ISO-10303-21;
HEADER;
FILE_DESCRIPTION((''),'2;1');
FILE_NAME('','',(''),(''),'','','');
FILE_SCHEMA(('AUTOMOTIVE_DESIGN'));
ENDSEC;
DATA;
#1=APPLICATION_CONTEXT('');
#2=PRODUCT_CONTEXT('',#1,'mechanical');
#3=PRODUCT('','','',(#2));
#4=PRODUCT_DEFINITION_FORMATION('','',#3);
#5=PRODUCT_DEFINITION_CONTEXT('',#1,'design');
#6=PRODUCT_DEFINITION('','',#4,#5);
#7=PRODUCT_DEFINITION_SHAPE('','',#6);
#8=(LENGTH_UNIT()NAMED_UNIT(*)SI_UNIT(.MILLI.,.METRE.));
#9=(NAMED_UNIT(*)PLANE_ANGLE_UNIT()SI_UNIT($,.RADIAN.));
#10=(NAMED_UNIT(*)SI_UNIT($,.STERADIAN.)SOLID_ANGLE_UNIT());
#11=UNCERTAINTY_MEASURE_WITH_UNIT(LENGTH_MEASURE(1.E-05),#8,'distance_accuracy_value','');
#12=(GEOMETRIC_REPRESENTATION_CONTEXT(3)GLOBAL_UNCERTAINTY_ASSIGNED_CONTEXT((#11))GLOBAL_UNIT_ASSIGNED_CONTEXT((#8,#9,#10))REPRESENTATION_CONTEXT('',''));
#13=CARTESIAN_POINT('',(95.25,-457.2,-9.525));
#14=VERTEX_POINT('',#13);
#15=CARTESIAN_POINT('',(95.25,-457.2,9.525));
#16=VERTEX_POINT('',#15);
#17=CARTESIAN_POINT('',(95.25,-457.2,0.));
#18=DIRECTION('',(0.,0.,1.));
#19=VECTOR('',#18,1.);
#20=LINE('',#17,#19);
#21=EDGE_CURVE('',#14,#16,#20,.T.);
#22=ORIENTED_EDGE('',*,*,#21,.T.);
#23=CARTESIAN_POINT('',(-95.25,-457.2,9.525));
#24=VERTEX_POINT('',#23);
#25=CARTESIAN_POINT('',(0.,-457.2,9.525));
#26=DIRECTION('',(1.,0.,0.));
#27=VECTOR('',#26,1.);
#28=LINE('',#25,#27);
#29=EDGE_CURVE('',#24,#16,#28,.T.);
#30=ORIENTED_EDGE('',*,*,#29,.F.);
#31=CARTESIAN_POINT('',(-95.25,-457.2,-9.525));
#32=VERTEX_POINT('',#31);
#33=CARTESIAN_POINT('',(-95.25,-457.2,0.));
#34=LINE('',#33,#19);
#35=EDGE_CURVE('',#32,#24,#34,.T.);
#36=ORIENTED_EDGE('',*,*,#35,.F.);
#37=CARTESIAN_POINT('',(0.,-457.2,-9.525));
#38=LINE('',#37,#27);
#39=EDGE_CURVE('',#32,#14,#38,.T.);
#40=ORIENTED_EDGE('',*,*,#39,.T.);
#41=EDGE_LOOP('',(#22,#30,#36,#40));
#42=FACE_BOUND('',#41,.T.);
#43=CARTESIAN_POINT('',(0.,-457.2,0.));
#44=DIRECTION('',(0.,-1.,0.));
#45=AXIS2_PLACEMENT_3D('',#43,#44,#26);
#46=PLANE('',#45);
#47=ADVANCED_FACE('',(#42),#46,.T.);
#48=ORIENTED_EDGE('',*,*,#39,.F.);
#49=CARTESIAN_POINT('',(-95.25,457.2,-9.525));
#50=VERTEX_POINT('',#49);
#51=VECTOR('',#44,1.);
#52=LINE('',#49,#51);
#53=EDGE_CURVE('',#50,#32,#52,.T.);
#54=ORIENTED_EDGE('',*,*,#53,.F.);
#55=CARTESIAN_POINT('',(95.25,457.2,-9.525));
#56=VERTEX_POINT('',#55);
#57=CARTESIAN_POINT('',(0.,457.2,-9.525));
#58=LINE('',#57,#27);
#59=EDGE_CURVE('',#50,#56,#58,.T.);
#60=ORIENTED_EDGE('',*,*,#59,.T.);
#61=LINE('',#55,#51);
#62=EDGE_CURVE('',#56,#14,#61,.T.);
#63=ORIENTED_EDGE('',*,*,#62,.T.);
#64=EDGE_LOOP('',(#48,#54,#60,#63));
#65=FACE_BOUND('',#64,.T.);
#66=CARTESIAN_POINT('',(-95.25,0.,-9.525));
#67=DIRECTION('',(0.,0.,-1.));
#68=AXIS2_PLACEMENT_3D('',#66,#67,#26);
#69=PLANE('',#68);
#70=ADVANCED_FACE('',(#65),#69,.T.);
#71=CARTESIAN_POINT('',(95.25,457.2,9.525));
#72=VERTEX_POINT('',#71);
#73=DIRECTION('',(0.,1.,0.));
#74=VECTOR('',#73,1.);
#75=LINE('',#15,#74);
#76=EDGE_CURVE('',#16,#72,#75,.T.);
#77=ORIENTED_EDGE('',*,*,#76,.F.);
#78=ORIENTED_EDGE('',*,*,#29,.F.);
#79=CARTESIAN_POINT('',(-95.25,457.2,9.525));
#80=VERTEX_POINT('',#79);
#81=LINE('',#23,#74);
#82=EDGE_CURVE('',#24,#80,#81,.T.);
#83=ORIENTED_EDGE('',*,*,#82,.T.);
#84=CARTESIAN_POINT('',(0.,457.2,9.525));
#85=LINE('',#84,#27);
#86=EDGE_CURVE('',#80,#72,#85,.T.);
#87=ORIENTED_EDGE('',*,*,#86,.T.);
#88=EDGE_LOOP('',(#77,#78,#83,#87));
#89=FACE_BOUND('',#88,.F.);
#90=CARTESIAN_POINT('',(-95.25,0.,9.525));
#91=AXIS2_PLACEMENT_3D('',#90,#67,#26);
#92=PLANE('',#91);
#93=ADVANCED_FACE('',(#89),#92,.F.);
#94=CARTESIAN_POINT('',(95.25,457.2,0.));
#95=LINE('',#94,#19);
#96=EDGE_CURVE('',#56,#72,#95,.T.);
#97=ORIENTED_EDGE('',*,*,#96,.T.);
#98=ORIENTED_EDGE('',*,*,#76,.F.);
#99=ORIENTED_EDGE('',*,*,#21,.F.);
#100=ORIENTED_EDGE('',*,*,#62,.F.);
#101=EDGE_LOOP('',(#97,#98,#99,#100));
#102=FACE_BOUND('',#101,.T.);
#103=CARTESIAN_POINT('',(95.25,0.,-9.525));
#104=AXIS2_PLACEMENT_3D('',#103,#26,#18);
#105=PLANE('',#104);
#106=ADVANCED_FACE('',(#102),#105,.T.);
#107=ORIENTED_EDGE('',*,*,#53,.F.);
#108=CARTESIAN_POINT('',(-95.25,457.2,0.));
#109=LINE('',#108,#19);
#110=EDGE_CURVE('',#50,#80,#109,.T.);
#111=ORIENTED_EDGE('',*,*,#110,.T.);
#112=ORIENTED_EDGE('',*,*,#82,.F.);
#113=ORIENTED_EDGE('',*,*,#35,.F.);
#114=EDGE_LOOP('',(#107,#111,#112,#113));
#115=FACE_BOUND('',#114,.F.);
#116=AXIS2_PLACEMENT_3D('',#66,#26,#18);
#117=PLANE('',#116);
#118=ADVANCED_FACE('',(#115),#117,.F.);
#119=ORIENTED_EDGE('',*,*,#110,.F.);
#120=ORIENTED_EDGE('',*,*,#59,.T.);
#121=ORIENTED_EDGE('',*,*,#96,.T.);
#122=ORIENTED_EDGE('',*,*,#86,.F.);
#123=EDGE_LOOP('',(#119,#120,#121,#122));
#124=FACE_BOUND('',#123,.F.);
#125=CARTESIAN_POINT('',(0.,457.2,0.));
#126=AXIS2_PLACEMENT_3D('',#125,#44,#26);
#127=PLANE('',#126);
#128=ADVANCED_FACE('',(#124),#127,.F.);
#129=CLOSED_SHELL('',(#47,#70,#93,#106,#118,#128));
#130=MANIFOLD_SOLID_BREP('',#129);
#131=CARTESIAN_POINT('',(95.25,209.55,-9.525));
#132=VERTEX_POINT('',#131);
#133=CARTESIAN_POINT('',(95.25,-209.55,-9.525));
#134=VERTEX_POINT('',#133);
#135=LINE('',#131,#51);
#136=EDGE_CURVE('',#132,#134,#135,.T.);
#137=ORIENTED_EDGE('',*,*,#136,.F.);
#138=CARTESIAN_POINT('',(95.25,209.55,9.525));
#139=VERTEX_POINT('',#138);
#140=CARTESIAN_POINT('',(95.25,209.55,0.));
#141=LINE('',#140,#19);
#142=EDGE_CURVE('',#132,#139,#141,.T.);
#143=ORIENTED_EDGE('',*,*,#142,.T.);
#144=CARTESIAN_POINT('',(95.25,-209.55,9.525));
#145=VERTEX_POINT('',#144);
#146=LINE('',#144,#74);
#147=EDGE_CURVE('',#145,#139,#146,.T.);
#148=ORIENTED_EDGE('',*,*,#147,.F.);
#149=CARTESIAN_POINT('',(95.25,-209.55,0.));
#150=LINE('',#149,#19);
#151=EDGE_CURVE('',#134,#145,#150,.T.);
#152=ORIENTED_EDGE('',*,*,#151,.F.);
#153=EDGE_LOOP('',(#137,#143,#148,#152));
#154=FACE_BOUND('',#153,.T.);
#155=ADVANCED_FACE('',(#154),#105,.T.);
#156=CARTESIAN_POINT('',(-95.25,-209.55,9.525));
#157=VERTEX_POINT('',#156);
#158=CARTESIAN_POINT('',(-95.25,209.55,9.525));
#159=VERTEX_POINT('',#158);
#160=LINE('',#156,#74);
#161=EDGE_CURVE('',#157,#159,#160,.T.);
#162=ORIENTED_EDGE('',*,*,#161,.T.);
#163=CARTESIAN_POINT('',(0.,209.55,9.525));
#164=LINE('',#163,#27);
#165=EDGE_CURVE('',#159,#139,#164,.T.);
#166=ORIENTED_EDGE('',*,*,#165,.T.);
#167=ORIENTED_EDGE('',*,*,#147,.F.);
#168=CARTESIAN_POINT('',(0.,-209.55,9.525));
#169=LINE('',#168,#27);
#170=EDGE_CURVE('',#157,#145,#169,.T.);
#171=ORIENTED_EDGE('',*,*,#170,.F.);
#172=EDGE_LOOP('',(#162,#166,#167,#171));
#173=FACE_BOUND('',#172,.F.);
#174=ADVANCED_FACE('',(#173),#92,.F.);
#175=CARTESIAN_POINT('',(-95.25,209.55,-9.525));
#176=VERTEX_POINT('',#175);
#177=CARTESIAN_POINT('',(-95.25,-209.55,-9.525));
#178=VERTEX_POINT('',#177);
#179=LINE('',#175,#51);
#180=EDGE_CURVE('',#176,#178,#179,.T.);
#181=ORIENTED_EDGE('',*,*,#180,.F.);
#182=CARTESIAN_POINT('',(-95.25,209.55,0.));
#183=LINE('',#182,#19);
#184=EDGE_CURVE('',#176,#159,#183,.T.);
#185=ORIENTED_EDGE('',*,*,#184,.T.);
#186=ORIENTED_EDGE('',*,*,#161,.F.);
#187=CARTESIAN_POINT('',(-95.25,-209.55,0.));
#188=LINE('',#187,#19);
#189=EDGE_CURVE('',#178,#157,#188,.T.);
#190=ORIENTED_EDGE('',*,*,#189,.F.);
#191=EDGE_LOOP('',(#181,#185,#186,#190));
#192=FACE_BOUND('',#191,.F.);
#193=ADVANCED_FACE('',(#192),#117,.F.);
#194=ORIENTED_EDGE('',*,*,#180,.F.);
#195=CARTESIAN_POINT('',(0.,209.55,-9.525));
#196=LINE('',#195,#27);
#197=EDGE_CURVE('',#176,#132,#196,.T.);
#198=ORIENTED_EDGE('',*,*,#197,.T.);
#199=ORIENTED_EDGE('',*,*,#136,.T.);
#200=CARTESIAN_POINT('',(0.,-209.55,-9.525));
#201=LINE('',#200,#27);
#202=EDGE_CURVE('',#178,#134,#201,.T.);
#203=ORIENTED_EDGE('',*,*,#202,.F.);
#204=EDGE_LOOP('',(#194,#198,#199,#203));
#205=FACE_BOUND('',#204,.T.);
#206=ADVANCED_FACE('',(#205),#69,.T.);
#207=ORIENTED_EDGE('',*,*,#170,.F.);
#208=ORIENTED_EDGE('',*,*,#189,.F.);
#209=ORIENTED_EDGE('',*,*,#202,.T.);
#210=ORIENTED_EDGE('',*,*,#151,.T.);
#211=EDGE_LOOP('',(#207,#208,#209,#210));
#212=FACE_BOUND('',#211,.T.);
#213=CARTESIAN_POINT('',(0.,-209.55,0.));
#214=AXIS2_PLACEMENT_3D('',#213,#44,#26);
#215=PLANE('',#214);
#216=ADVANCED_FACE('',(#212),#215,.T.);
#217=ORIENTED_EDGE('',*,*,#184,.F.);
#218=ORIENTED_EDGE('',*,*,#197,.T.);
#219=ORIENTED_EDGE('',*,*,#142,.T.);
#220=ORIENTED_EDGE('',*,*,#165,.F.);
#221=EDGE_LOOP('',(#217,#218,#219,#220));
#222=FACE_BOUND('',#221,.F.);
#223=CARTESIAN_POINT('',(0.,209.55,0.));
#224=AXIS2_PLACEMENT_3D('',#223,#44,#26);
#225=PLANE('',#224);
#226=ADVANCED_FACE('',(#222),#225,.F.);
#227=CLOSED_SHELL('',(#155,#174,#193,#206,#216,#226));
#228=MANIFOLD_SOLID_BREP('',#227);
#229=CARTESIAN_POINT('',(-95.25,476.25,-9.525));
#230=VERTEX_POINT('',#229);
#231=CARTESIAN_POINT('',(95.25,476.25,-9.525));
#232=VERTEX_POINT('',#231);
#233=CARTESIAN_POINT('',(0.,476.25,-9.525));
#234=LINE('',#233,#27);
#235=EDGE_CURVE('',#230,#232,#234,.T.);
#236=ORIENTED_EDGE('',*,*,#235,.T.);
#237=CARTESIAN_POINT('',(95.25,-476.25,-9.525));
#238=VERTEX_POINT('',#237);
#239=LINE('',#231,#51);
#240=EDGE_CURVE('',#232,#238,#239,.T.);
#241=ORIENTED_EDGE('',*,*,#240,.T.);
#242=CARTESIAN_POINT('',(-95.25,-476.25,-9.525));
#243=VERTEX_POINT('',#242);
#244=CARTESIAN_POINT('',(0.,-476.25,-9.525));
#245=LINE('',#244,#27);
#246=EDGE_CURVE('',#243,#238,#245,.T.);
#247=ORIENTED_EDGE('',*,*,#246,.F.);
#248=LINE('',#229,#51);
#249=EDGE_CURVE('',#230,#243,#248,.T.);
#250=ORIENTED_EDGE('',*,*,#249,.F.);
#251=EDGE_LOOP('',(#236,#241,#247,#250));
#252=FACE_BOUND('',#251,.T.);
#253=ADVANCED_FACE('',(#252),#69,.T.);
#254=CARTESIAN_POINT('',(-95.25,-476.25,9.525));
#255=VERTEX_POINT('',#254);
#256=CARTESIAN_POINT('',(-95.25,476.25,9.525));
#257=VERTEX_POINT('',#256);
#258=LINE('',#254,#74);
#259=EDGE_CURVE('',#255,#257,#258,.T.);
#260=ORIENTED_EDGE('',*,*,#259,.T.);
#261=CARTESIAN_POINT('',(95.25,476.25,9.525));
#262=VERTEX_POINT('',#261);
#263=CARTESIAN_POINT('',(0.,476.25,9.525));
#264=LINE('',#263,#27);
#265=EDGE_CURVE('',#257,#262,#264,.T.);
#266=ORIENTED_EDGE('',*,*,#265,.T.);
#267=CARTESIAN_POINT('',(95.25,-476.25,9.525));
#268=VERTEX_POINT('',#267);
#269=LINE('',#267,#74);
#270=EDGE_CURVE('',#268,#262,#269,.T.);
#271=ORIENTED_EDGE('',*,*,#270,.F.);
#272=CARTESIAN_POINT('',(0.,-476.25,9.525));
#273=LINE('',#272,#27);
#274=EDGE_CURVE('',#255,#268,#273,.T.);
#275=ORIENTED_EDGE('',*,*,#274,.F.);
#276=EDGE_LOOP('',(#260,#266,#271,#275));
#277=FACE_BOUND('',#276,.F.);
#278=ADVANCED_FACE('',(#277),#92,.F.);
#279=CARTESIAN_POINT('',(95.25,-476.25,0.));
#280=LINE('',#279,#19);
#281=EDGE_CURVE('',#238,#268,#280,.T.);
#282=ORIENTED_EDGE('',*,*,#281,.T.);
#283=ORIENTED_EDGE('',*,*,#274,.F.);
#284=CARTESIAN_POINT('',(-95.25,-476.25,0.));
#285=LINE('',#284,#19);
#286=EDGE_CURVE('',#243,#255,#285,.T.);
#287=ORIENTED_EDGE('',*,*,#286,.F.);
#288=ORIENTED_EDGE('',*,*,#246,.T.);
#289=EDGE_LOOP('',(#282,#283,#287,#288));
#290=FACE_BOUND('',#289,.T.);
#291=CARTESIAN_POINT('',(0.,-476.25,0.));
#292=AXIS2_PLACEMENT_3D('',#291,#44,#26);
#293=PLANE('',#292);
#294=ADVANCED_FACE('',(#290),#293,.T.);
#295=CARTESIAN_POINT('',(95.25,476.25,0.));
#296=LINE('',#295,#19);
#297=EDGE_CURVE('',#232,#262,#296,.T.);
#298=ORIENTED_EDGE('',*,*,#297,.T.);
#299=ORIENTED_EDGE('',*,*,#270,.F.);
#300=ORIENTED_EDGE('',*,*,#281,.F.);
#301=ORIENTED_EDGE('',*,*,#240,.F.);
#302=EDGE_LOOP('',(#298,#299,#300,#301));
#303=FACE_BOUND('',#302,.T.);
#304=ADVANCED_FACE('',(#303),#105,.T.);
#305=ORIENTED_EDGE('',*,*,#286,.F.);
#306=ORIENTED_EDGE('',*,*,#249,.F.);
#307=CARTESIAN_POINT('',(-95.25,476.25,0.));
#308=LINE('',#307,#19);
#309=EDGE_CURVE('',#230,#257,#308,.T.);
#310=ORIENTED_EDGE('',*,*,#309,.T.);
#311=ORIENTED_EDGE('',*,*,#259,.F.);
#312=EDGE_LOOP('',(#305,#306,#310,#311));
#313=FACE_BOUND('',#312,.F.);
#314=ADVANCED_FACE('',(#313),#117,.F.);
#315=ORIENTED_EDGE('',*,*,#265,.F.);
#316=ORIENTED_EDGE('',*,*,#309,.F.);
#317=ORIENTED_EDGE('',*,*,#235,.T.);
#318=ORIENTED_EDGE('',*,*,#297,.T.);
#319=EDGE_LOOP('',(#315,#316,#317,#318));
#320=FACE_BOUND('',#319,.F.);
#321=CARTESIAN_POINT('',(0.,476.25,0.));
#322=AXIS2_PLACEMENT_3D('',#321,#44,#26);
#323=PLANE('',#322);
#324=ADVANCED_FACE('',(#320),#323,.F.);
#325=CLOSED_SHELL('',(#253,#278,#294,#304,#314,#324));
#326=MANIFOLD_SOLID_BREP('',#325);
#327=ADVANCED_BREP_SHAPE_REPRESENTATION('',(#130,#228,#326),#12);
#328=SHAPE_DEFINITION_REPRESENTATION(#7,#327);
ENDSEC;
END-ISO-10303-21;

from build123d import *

# Parameters (mm, degrees)
F0_W     = 190.5
F0_H     = 19.05
F1_DEPTH = 209.55
F2_DEPTH = 457.2
F3_DEPTH = 476.25


with BuildPart() as f1:
    # F0 (on Front) → F1 (new body, symmetric)
    with BuildSketch(Plane.XZ):
        Rectangle(F0_W, F0_H)
    extrude(amount=F1_DEPTH, both=True)


with BuildPart() as f2:
    # F0 (on Front) → F2 (new body, symmetric)
    with BuildSketch(Plane.XZ):
        Rectangle(F0_W, F0_H)
    extrude(amount=F2_DEPTH, both=True)


with BuildPart() as f3:
    # F0 (on Front) → F3 (new body, symmetric)
    with BuildSketch(Plane.XZ):
        Rectangle(F0_W, F0_H)
    extrude(amount=F3_DEPTH, both=True)


solid = Compound([f1.part, f2.part, f3.part])
